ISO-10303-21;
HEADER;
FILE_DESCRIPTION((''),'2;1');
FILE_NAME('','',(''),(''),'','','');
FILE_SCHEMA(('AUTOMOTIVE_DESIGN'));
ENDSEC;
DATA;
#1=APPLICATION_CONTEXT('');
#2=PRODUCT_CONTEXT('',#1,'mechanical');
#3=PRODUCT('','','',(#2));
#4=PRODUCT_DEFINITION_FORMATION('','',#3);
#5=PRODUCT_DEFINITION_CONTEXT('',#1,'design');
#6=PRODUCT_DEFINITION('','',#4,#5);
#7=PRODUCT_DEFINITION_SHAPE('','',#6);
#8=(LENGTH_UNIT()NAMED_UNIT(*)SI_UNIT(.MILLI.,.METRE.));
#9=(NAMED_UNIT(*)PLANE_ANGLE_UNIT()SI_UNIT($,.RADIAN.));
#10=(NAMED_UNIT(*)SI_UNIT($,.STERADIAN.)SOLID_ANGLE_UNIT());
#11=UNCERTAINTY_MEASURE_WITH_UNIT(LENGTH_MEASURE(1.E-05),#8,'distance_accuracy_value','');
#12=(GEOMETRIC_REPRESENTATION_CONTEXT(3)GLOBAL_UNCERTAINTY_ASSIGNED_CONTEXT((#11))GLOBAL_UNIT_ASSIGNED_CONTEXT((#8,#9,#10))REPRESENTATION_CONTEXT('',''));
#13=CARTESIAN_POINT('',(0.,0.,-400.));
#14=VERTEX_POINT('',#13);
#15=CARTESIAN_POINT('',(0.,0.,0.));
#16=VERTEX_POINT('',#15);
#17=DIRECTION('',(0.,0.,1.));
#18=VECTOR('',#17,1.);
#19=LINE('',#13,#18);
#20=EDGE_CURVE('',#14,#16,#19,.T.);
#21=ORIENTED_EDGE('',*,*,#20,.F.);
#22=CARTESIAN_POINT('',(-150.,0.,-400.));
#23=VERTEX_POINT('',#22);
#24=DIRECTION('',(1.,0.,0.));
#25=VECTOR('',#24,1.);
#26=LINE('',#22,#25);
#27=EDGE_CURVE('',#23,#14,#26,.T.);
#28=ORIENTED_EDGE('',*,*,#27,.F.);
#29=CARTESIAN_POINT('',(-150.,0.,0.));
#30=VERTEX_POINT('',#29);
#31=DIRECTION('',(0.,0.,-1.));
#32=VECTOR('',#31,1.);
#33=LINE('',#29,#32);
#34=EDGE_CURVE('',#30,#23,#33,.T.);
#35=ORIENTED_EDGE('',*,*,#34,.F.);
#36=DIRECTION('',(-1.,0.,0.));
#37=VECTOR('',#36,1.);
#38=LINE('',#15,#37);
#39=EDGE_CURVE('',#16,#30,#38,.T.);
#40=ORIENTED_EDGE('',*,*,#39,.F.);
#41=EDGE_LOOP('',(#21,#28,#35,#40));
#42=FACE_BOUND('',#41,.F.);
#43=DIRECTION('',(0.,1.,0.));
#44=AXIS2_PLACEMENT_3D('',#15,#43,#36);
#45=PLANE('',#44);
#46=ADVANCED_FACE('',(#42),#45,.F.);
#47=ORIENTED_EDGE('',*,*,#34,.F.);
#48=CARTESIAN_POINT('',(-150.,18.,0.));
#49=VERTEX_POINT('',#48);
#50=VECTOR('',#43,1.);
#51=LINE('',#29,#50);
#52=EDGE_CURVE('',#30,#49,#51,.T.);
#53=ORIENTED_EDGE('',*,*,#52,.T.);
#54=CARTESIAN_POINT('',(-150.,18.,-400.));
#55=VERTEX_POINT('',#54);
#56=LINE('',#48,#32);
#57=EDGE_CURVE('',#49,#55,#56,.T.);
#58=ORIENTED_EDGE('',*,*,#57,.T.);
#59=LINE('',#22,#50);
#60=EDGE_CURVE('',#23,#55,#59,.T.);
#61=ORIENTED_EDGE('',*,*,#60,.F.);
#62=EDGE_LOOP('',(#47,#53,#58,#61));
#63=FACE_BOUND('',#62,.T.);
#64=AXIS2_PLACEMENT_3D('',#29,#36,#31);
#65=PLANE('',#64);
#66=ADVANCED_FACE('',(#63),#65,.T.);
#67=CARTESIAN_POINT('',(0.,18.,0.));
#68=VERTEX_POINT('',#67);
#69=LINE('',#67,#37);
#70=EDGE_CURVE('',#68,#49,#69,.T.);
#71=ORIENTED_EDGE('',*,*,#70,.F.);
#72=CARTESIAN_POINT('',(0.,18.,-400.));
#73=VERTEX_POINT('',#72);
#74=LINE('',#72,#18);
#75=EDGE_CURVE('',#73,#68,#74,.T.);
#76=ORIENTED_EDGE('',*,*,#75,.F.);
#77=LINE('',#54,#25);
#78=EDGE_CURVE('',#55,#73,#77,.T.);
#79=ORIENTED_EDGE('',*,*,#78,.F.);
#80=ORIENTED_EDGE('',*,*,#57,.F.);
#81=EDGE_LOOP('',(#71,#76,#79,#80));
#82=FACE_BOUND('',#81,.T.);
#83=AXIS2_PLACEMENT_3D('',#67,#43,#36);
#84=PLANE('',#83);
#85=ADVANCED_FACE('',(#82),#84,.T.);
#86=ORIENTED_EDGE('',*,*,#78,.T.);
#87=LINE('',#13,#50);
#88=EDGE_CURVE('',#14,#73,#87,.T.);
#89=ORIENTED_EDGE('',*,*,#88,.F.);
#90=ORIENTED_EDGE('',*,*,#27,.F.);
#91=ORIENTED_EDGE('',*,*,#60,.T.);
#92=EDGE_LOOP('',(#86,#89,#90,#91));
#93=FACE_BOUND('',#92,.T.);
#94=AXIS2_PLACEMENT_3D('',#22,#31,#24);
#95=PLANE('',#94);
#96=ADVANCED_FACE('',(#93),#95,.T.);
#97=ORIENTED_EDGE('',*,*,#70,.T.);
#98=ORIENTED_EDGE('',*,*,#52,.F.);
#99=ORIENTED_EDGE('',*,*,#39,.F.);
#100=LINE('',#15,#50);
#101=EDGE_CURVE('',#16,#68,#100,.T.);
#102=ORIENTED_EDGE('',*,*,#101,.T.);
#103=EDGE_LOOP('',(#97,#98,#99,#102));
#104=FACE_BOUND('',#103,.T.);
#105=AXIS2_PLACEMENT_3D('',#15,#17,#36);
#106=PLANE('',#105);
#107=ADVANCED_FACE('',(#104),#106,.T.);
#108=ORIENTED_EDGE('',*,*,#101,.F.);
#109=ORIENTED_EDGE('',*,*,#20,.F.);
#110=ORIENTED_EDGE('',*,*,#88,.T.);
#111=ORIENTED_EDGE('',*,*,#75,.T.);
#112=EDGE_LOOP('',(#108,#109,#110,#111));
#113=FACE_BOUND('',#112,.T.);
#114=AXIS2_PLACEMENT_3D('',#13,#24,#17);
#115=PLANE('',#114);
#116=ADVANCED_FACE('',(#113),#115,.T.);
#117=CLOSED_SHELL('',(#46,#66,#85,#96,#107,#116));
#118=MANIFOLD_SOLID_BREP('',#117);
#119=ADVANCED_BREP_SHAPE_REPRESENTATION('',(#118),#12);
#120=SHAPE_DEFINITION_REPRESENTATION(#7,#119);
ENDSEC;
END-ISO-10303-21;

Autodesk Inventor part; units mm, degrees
ref_plane "YZ Plane" through (0, 0, 0) normal (1, 0, 0) x (0, 1, 0)
ref_plane "XZ Plane" through (0, 0, 0) normal (0, 1, 0) x (-1, 0, 0)
ref_plane "XY Plane" through (0, 0, 0) normal (0, 0, 1) x (1, 0, 0)
sketch "Sketch1" plane through (0, 0, 0) normal (0, 1, 0) x (-1, 0, 0)
  line L0 (0, 0) -> (150, 0)
  line L1 (150, 0) -> (150, -400)
  line L2 (150, -400) -> (0, -400)
  line L3 (0, -400) -> (0, 0)
  dimension "d0" = 150
  dimension "d1" = 400
extrude "Extrusion1" add sketch "Sketch1" along normal blind 18
properties part number "cupboard break" material "MDF Medium Density Fiberboard"
